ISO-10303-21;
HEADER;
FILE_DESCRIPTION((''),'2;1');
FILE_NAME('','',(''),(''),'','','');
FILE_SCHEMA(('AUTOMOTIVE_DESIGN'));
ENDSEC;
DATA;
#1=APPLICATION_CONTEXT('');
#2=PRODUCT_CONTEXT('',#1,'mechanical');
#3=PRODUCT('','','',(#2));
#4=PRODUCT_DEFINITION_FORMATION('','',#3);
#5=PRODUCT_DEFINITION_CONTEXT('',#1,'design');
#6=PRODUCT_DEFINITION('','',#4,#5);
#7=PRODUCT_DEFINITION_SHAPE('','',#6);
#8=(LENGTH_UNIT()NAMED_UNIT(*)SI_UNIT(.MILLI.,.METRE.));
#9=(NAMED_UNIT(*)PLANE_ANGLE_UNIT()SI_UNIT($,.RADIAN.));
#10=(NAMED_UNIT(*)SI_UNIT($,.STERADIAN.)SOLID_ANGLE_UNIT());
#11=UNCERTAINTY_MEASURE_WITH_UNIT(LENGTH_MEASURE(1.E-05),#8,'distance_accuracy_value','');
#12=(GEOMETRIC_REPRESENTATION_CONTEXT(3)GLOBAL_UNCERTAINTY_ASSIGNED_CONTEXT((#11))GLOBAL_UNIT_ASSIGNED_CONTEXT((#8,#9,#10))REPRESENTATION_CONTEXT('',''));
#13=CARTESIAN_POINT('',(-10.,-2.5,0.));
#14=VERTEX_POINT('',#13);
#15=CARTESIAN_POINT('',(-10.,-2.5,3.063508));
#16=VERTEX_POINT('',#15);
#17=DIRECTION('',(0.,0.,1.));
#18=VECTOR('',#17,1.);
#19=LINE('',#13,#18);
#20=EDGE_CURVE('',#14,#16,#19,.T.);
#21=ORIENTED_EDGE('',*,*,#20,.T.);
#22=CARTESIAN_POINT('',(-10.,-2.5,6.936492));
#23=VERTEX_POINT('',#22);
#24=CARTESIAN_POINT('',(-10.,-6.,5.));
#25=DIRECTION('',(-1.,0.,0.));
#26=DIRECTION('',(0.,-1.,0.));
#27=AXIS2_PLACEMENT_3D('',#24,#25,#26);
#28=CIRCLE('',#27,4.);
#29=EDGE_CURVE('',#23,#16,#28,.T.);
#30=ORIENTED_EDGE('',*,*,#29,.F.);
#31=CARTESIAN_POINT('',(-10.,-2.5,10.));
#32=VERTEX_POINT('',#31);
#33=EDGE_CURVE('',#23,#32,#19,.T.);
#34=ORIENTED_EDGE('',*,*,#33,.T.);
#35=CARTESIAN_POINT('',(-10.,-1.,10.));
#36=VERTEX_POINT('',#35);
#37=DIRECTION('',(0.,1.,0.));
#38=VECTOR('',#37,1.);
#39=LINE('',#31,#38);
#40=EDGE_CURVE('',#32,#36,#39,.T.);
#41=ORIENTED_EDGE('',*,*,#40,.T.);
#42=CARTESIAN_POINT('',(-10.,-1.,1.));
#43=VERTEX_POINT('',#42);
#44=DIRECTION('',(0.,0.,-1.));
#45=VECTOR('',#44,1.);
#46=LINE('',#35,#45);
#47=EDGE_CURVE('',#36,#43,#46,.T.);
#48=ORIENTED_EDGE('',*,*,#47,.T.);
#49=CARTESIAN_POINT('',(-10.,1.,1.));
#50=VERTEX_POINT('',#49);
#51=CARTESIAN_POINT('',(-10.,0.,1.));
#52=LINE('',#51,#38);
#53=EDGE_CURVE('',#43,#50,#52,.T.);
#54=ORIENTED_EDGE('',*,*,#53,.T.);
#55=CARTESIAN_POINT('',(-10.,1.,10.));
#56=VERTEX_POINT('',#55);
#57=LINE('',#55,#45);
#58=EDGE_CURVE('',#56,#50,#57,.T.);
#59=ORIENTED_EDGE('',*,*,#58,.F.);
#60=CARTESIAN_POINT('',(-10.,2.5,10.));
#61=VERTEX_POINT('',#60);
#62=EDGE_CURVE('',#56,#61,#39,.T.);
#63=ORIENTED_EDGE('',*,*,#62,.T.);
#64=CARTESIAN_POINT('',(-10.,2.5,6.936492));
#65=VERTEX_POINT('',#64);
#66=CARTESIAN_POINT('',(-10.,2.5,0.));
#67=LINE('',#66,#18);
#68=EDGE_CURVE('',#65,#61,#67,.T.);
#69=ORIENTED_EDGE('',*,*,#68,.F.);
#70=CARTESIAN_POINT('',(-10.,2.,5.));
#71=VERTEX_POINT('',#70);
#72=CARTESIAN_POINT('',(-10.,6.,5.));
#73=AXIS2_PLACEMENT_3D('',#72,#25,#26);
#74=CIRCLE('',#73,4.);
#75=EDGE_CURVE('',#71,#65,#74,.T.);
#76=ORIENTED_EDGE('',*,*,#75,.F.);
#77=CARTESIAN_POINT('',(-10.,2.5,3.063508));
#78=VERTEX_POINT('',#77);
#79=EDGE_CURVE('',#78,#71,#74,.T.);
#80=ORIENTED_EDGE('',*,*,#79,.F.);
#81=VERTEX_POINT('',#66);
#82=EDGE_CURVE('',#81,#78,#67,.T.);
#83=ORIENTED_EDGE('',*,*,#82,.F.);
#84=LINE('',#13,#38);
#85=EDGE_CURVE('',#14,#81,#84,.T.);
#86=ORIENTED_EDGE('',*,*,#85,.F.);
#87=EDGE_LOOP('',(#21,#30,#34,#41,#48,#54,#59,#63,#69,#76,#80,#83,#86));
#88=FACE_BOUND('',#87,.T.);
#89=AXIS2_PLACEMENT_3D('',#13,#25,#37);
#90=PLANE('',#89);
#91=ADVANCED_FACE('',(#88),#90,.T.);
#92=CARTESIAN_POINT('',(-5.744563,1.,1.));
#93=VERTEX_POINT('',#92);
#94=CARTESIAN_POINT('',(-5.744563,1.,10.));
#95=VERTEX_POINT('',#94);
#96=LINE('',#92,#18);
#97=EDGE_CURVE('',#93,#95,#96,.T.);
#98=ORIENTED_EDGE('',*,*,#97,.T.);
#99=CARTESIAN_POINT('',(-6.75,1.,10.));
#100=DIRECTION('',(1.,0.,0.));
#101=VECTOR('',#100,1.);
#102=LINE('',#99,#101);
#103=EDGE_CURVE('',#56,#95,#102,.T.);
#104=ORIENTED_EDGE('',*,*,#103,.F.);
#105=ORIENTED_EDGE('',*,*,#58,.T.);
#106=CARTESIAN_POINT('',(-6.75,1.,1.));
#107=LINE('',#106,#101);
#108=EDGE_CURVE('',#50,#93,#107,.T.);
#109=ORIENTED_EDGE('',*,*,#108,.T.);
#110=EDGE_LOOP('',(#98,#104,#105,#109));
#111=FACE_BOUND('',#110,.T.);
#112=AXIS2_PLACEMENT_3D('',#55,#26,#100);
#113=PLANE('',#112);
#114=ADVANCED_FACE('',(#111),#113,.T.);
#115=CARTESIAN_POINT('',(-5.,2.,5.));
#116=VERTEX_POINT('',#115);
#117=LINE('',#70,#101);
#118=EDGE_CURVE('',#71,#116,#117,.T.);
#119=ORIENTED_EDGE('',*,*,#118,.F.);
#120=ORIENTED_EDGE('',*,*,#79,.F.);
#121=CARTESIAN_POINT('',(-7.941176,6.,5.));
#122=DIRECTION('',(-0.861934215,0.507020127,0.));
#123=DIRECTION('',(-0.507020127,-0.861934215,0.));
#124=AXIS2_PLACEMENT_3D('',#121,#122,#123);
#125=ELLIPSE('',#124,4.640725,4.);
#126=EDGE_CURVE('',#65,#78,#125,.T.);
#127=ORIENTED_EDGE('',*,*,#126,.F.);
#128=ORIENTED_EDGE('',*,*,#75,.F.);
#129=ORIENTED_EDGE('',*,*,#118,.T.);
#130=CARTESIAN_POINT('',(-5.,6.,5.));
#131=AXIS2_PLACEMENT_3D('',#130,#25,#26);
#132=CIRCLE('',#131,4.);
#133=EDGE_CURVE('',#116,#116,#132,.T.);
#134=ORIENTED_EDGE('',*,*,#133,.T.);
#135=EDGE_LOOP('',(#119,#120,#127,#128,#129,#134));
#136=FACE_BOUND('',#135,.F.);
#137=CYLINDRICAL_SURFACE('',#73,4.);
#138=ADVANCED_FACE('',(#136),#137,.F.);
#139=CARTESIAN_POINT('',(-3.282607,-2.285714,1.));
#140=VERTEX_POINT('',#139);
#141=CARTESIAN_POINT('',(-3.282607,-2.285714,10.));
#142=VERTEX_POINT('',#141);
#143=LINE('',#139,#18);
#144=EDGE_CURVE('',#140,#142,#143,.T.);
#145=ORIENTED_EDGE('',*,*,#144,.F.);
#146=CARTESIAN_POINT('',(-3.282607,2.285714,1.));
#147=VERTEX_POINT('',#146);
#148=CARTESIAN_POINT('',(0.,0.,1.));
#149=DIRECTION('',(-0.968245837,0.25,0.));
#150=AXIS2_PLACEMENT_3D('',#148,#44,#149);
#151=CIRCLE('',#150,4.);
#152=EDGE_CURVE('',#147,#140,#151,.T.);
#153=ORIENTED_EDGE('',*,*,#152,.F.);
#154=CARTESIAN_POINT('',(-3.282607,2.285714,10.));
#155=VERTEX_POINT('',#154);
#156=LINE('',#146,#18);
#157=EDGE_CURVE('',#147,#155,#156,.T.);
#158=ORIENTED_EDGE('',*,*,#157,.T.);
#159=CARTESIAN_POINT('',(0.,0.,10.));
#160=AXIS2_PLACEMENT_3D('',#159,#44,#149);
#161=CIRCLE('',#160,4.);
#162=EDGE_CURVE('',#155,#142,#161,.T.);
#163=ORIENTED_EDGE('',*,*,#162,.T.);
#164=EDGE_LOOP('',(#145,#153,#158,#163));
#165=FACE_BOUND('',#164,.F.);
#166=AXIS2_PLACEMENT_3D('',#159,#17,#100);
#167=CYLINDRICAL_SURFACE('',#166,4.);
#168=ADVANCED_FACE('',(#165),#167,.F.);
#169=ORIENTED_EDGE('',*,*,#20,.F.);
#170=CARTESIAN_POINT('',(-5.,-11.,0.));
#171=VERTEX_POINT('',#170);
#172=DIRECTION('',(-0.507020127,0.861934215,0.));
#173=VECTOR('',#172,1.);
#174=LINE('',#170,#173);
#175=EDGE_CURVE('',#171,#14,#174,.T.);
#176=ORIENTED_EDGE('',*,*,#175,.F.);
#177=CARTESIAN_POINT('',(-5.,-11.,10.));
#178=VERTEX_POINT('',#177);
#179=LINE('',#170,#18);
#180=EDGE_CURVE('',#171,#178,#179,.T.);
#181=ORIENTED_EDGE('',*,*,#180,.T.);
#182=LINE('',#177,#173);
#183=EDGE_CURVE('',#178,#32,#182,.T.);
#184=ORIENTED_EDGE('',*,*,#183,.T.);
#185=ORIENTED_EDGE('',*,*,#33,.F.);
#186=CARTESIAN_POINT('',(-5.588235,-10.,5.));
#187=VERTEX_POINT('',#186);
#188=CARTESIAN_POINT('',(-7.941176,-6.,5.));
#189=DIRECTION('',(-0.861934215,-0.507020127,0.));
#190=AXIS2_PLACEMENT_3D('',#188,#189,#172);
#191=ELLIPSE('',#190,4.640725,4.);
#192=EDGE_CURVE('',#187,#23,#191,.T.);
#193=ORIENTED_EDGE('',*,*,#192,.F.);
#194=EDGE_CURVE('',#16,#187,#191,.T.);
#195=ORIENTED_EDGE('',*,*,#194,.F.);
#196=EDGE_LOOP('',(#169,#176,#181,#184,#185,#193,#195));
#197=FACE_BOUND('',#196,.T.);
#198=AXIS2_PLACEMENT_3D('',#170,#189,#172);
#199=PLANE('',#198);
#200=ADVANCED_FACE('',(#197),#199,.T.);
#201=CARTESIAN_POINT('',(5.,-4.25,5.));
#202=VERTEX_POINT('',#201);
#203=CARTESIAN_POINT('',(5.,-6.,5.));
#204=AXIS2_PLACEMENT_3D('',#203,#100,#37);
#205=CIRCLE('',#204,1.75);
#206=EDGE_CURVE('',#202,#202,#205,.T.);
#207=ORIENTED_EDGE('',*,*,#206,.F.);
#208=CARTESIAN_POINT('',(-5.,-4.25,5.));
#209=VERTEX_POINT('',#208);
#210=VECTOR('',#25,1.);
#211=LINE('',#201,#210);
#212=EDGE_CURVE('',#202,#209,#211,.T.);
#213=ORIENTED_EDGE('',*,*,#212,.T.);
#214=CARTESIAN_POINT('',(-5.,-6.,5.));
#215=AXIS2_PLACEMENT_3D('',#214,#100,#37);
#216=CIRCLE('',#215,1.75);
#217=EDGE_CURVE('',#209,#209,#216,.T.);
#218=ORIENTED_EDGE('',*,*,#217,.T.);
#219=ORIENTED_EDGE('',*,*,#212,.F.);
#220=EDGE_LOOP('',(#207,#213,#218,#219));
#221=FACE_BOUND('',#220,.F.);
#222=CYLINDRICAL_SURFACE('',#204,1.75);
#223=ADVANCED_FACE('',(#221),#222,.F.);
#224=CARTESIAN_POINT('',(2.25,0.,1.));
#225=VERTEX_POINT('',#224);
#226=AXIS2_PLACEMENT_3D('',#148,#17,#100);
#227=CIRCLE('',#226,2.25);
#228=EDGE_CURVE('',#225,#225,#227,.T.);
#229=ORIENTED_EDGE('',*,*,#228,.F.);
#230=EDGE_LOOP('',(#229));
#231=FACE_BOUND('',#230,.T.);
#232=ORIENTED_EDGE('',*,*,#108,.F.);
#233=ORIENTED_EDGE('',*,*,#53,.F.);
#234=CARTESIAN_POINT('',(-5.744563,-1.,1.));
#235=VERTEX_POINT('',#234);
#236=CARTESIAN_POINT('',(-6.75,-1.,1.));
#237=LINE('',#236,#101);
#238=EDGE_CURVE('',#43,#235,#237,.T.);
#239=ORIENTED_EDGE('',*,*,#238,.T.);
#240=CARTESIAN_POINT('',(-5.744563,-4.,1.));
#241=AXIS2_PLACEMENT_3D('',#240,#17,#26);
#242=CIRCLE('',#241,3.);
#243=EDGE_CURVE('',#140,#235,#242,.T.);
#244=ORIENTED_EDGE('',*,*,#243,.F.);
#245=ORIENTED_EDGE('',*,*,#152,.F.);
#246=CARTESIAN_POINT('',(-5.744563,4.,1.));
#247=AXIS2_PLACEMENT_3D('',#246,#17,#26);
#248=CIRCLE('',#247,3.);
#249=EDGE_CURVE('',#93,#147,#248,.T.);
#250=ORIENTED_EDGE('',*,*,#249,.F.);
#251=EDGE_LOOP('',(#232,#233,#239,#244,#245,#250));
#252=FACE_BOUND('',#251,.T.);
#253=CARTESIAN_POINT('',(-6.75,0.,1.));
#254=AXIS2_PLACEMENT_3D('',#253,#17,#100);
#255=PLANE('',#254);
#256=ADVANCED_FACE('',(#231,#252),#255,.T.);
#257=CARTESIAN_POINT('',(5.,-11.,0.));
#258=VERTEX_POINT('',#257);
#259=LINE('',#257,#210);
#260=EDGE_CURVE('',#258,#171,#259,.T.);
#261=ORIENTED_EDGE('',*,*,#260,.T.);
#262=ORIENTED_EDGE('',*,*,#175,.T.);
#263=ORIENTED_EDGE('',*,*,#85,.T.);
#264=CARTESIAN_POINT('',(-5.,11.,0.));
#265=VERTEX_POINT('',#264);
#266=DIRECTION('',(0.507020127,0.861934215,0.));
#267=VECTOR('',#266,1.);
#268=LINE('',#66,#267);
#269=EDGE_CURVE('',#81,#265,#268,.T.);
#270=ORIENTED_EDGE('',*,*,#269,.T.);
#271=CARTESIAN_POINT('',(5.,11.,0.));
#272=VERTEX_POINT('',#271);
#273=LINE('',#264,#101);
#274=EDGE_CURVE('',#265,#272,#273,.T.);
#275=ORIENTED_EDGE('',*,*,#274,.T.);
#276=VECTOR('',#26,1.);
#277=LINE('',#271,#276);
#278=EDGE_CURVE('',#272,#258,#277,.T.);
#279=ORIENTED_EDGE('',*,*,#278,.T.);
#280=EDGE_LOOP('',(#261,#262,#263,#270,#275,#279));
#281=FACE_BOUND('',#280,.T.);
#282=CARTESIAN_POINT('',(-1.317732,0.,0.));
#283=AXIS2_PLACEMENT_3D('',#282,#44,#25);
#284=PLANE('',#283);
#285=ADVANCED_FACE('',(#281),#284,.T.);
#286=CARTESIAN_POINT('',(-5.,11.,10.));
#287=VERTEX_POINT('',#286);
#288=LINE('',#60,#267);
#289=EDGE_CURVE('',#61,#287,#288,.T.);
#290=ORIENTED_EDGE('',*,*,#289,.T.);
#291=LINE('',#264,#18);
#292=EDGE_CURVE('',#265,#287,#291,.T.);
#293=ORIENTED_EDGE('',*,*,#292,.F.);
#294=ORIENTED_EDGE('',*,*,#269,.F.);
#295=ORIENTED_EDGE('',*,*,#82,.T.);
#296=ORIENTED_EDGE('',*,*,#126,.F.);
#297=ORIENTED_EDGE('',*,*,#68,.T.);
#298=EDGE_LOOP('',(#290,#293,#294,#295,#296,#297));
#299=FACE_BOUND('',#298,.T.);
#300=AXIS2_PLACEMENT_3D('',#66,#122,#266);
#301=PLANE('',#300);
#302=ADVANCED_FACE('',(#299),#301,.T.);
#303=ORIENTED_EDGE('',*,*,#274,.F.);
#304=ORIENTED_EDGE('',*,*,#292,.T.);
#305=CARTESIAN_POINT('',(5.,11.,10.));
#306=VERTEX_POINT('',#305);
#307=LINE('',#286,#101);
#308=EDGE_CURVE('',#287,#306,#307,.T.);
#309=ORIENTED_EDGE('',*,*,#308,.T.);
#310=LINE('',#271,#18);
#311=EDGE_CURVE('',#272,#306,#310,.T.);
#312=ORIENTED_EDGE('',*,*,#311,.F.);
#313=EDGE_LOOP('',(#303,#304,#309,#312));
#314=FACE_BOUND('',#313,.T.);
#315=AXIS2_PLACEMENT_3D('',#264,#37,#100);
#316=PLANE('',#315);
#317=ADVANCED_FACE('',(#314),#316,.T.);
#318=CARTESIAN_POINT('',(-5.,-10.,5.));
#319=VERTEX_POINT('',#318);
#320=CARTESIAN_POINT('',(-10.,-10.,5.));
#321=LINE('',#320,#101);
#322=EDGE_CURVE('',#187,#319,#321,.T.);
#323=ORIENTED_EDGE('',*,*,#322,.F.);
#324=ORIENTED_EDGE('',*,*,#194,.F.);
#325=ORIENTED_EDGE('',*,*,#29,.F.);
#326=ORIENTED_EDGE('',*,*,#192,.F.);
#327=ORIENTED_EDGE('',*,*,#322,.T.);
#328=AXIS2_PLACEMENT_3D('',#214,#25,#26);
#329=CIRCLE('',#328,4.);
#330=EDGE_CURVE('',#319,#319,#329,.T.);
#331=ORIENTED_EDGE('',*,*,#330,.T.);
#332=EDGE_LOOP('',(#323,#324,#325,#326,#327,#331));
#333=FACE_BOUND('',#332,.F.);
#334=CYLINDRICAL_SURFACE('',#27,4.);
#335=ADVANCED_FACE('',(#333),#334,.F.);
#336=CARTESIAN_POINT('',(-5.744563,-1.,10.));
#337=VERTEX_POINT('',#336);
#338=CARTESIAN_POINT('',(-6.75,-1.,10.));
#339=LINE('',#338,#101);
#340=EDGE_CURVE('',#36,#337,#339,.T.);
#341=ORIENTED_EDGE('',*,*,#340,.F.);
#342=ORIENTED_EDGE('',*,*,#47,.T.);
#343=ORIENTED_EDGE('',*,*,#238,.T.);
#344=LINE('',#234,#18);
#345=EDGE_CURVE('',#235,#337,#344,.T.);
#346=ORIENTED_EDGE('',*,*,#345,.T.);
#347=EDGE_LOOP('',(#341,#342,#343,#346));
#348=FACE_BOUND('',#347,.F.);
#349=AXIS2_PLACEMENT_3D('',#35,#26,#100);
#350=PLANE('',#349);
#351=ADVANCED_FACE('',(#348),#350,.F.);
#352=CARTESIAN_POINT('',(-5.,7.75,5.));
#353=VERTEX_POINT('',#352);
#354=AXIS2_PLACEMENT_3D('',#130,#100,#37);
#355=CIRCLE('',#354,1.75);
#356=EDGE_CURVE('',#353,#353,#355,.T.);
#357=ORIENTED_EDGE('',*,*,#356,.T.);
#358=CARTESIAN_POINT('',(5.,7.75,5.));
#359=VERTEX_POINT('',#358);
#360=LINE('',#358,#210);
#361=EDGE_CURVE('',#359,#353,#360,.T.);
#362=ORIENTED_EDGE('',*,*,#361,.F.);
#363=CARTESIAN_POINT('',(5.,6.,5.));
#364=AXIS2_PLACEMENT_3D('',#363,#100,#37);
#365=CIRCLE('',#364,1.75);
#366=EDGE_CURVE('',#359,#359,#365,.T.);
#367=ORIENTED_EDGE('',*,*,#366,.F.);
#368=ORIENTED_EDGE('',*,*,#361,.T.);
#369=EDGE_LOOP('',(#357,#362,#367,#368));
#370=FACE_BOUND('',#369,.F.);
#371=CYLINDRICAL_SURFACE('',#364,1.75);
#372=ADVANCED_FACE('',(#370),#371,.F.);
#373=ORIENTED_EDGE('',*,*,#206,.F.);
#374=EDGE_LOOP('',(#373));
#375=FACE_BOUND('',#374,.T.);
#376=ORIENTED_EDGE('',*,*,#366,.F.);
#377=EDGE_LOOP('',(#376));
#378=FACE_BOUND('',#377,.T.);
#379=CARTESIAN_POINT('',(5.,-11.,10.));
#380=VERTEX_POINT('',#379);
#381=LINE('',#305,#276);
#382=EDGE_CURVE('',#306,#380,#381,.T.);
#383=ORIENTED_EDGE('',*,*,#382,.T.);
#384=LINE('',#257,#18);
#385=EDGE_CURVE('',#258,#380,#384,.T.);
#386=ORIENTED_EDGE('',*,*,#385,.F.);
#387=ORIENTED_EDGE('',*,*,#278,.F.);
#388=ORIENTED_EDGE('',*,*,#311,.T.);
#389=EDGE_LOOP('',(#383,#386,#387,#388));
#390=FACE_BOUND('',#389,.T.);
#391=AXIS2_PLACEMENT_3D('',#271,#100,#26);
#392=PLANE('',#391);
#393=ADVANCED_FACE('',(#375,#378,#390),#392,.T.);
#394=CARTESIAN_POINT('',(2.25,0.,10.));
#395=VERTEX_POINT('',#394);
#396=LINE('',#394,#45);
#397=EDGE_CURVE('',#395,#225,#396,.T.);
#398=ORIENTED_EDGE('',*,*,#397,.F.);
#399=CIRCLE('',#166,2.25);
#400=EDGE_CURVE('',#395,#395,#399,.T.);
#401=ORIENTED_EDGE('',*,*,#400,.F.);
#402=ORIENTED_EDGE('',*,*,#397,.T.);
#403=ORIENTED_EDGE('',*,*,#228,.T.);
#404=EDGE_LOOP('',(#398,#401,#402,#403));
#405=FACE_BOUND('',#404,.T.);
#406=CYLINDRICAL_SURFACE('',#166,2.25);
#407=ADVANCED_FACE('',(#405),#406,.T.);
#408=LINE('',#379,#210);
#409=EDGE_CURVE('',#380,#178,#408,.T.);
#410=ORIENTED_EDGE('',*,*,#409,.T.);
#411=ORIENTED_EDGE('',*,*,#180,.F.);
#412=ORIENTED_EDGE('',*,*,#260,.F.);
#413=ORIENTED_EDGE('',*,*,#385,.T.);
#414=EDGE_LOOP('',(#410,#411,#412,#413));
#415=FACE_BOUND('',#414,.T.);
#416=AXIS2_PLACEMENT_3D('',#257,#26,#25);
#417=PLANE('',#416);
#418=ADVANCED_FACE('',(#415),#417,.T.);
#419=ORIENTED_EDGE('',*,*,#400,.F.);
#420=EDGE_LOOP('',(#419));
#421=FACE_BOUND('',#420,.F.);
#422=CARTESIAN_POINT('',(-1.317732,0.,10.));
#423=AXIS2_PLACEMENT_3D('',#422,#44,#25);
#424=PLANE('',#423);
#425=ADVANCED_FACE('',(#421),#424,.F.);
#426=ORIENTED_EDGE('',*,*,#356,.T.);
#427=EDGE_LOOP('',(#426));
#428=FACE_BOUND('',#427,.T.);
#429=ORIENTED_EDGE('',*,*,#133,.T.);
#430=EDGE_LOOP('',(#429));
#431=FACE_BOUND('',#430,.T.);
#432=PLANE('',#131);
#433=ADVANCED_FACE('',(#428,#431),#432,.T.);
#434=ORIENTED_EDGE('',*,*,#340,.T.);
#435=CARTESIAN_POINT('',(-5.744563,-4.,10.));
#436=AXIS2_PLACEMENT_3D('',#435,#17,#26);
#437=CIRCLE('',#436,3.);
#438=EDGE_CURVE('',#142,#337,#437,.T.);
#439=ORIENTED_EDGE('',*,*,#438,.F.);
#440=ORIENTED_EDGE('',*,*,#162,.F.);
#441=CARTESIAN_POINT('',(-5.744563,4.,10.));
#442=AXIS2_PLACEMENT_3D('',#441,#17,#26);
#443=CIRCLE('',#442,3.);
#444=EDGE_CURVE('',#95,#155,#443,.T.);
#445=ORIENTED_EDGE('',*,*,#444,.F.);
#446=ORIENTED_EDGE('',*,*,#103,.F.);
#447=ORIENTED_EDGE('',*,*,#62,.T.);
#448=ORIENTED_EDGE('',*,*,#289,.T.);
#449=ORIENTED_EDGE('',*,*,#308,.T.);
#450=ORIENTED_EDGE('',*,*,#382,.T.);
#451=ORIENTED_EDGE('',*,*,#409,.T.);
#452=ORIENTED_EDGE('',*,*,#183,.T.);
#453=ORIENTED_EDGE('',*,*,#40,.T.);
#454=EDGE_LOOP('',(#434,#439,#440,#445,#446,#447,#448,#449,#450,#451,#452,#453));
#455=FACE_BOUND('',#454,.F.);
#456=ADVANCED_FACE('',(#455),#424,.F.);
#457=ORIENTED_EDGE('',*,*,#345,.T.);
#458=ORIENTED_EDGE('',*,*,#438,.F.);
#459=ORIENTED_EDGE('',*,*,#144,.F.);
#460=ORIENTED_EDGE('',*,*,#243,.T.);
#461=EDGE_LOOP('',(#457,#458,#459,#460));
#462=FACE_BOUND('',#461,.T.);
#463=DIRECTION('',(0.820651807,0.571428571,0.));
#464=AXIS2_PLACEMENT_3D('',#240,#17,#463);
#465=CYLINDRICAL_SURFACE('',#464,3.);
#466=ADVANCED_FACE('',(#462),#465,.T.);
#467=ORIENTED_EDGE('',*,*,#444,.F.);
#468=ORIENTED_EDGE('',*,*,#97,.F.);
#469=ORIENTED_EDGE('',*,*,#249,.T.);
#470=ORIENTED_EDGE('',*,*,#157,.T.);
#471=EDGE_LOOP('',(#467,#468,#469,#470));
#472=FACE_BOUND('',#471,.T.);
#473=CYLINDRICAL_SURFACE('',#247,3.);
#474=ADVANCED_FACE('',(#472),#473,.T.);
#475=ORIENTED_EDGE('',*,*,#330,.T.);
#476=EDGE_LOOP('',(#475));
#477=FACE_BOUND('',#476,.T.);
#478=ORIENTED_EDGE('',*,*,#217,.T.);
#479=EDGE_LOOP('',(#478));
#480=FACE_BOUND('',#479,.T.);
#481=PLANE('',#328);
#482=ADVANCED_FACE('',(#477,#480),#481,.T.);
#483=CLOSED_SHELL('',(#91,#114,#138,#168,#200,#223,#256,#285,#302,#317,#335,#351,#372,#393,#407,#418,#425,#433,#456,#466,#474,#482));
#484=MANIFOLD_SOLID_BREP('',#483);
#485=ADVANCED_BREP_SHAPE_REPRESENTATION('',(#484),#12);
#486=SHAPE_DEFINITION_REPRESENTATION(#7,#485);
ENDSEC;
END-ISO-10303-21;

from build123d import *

# Parameters (mm, degrees)
PAD_DEPTH       = 10
SKETCH001_R     = 1.75
POCKET_DEPTH    = 15.001
SKETCH002_R     = 4
POCKET001_DEPTH = 5
SKETCH005_R     = 4
SKETCH005_R_2   = 2.25
POCKET002_DEPTH = 9
SKETCH006_W     = 6.5
SKETCH006_H     = 2
POCKET003_DEPTH = 9
FILLET_R        = 3
FILLET001_R     = 3


with BuildPart() as part:
    # Sketch → Pad (new body)
    with BuildSketch(Plane.XY):
        Polygon((-5, 11), (5, 11), (5, -11), (-5, -11), (-10, -2.5), (-10, 2.5), align=None)
    extrude(amount=PAD_DEPTH)

    # Sketch001 → Pocket (cut, through all)
    with BuildSketch(Plane.YZ.offset(5)):
        with Locations((-6, 5)):
            Circle(SKETCH001_R)
        with Locations((6, 5)):
            Circle(SKETCH001_R)
    extrude(amount=-POCKET_DEPTH, mode=Mode.SUBTRACT)

    # Sketch002 → Pocket001 (cut)
    with BuildSketch(Plane(origin=(-10, 0, 0), x_dir=(0, -1, 0), z_dir=(-1, 0, 0))):
        with Locations((-6, 5)):
            Circle(SKETCH002_R)
        with Locations((6, 5)):
            Circle(SKETCH002_R)
    extrude(amount=-POCKET001_DEPTH, mode=Mode.SUBTRACT)

    # Sketch005 → Pocket002 (cut)
    with BuildSketch(Plane.XY.offset(10)):
        Circle(SKETCH005_R)
        Circle(SKETCH005_R_2, mode=Mode.SUBTRACT)
    extrude(amount=-POCKET002_DEPTH, mode=Mode.SUBTRACT)

    # Sketch006 → Pocket003 (cut)
    with BuildSketch(Plane.XY.offset(10)):
        with Locations((-6.75, 0)):
            Rectangle(SKETCH006_W, SKETCH006_H)
    extrude(amount=-POCKET003_DEPTH, mode=Mode.SUBTRACT)

    # Fillet
    fillet_edges = [part.edges().sort_by_distance(p)[0] for p in [
        (-3.872983, 1, 5.5),
    ]]
    fillet(fillet_edges, radius=FILLET_R)

    # Fillet001
    fillet001_edges = [part.edges().sort_by_distance(p)[0] for p in [
        (-3.872983, -1, 5.5),
    ]]
    fillet(fillet001_edges, radius=FILLET001_R)


solid = part.part
